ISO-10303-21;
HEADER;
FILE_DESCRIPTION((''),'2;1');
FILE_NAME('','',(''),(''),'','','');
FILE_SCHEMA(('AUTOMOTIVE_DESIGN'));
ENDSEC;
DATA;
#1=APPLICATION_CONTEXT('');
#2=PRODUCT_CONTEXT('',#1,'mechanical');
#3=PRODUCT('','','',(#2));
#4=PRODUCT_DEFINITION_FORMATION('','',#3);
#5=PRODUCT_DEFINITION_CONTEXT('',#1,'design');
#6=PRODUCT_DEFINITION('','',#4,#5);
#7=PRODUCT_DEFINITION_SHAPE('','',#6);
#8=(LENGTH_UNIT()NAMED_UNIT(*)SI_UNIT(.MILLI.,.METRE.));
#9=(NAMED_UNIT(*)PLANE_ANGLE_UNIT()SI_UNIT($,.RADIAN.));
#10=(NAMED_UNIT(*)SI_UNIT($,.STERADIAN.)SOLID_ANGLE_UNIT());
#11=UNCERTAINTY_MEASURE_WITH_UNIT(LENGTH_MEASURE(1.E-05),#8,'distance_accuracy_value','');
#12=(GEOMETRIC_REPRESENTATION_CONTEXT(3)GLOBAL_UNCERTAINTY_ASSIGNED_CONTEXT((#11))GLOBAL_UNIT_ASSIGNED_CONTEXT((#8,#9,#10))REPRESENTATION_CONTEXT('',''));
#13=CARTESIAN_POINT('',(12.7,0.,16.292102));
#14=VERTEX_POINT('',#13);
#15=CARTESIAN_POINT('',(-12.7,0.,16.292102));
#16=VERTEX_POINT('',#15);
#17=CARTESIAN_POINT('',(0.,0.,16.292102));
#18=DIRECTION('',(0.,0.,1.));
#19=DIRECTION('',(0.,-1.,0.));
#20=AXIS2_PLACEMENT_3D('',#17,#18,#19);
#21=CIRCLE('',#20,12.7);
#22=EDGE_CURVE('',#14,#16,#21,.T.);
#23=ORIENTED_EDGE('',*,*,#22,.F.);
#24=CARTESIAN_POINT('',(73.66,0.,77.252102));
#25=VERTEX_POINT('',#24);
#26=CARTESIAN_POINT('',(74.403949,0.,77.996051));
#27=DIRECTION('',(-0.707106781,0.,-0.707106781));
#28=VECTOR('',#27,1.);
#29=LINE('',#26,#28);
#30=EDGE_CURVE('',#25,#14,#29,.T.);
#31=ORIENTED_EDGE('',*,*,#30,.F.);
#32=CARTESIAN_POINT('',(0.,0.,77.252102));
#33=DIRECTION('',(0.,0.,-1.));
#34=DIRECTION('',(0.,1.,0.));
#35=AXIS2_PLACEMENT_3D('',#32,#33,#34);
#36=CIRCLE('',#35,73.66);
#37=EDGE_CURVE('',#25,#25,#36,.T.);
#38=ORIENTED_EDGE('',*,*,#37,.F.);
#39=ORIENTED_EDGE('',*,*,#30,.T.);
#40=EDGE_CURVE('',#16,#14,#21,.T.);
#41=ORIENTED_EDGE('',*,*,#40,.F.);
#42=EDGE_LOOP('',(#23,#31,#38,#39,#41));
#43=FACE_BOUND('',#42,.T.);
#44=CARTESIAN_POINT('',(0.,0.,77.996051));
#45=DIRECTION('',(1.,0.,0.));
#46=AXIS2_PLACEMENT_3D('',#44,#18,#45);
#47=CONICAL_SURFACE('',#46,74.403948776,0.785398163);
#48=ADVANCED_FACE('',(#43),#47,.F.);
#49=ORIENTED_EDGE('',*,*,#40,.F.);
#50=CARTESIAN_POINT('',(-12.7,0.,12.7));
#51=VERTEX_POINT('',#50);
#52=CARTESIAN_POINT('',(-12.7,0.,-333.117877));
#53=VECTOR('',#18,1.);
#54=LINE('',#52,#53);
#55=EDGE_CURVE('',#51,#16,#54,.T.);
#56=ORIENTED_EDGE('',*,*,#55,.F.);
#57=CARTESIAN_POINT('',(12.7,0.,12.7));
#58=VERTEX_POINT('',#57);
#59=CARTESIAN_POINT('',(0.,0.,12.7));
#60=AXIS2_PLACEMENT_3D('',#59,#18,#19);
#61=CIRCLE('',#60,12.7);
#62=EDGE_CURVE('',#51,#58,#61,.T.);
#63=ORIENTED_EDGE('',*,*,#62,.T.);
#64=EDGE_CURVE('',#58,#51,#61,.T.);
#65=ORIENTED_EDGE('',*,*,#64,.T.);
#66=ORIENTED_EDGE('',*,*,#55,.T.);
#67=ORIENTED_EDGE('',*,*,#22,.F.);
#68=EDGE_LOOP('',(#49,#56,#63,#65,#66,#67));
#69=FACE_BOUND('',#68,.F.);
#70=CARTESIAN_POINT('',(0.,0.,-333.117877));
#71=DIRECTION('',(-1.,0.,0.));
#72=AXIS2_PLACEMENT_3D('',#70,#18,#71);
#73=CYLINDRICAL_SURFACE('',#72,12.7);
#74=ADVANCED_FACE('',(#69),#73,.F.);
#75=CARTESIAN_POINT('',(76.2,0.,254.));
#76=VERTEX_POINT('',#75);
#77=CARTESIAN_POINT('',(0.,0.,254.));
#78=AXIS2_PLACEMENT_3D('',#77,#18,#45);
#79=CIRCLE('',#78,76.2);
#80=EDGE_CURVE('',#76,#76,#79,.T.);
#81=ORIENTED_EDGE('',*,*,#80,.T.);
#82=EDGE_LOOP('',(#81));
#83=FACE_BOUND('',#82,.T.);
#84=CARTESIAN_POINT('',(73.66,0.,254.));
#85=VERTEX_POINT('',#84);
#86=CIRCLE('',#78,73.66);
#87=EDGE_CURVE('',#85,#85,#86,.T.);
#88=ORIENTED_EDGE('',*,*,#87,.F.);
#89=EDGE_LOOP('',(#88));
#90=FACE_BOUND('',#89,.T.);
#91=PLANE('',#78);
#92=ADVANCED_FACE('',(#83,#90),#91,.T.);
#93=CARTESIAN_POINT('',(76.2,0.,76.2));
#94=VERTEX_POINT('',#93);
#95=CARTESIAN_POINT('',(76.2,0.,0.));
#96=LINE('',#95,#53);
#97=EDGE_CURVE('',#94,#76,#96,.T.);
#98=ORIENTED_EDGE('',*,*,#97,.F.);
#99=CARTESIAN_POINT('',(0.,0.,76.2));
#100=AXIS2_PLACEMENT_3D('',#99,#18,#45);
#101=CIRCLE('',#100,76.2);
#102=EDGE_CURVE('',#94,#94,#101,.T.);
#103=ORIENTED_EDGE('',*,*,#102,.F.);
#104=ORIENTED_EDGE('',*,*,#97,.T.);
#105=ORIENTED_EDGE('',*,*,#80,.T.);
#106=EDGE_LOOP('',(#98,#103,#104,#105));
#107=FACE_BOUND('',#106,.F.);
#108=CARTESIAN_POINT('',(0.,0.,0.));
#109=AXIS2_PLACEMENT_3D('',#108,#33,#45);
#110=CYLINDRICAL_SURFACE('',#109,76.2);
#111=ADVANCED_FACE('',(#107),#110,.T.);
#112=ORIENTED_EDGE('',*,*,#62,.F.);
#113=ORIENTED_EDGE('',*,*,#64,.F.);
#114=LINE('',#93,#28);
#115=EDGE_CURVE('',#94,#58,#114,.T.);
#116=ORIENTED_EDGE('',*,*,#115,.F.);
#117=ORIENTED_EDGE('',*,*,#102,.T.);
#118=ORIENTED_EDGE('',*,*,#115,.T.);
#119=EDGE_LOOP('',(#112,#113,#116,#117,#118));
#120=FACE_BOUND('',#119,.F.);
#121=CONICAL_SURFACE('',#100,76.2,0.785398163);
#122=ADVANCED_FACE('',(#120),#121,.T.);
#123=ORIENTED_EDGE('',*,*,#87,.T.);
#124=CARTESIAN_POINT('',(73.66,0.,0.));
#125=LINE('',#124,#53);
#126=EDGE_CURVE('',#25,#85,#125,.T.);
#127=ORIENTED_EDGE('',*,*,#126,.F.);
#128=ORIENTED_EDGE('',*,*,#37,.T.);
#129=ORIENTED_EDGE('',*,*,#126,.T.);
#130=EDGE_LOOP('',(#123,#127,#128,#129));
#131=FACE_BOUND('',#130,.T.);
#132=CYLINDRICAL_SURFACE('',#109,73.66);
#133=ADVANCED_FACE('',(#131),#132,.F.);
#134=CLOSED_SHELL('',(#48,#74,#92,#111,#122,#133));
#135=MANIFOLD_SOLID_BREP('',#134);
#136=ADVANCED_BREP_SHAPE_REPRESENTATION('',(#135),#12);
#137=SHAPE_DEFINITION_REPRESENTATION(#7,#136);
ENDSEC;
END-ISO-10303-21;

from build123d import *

# Parameters (mm, degrees)
F0_R     = 76.2
F1_DEPTH = 254
F2_SIZE  = 76.2
F4_T     = -2.54
F5_D     = 25.4


with BuildPart() as f1:
    # F0 (on Top) → F1 (new body)
    with BuildSketch(Plane.XY):
        Circle(F0_R)
    extrude(amount=F1_DEPTH)

    # F2
    f2_edges = [f1.edges().sort_by_distance(p)[0] for p in [
        (-76.2, 0, 0),
    ]]
    chamfer(f2_edges, length=F2_SIZE)

    # F4
    f4_openings = [f1.faces().sort_by_distance(p)[0] for p in [
        (0, 0, 254),
    ]]
    offset(amount=F4_T, openings=f4_openings)

    # F5 (through all)
    with Locations(Plane(origin=(0, 0, 0), x_dir=(1, 0, 0), z_dir=(0, 0, -1))):
        with Locations((0, 0)):
            Hole(F5_D / 2)


solid = f1.part
